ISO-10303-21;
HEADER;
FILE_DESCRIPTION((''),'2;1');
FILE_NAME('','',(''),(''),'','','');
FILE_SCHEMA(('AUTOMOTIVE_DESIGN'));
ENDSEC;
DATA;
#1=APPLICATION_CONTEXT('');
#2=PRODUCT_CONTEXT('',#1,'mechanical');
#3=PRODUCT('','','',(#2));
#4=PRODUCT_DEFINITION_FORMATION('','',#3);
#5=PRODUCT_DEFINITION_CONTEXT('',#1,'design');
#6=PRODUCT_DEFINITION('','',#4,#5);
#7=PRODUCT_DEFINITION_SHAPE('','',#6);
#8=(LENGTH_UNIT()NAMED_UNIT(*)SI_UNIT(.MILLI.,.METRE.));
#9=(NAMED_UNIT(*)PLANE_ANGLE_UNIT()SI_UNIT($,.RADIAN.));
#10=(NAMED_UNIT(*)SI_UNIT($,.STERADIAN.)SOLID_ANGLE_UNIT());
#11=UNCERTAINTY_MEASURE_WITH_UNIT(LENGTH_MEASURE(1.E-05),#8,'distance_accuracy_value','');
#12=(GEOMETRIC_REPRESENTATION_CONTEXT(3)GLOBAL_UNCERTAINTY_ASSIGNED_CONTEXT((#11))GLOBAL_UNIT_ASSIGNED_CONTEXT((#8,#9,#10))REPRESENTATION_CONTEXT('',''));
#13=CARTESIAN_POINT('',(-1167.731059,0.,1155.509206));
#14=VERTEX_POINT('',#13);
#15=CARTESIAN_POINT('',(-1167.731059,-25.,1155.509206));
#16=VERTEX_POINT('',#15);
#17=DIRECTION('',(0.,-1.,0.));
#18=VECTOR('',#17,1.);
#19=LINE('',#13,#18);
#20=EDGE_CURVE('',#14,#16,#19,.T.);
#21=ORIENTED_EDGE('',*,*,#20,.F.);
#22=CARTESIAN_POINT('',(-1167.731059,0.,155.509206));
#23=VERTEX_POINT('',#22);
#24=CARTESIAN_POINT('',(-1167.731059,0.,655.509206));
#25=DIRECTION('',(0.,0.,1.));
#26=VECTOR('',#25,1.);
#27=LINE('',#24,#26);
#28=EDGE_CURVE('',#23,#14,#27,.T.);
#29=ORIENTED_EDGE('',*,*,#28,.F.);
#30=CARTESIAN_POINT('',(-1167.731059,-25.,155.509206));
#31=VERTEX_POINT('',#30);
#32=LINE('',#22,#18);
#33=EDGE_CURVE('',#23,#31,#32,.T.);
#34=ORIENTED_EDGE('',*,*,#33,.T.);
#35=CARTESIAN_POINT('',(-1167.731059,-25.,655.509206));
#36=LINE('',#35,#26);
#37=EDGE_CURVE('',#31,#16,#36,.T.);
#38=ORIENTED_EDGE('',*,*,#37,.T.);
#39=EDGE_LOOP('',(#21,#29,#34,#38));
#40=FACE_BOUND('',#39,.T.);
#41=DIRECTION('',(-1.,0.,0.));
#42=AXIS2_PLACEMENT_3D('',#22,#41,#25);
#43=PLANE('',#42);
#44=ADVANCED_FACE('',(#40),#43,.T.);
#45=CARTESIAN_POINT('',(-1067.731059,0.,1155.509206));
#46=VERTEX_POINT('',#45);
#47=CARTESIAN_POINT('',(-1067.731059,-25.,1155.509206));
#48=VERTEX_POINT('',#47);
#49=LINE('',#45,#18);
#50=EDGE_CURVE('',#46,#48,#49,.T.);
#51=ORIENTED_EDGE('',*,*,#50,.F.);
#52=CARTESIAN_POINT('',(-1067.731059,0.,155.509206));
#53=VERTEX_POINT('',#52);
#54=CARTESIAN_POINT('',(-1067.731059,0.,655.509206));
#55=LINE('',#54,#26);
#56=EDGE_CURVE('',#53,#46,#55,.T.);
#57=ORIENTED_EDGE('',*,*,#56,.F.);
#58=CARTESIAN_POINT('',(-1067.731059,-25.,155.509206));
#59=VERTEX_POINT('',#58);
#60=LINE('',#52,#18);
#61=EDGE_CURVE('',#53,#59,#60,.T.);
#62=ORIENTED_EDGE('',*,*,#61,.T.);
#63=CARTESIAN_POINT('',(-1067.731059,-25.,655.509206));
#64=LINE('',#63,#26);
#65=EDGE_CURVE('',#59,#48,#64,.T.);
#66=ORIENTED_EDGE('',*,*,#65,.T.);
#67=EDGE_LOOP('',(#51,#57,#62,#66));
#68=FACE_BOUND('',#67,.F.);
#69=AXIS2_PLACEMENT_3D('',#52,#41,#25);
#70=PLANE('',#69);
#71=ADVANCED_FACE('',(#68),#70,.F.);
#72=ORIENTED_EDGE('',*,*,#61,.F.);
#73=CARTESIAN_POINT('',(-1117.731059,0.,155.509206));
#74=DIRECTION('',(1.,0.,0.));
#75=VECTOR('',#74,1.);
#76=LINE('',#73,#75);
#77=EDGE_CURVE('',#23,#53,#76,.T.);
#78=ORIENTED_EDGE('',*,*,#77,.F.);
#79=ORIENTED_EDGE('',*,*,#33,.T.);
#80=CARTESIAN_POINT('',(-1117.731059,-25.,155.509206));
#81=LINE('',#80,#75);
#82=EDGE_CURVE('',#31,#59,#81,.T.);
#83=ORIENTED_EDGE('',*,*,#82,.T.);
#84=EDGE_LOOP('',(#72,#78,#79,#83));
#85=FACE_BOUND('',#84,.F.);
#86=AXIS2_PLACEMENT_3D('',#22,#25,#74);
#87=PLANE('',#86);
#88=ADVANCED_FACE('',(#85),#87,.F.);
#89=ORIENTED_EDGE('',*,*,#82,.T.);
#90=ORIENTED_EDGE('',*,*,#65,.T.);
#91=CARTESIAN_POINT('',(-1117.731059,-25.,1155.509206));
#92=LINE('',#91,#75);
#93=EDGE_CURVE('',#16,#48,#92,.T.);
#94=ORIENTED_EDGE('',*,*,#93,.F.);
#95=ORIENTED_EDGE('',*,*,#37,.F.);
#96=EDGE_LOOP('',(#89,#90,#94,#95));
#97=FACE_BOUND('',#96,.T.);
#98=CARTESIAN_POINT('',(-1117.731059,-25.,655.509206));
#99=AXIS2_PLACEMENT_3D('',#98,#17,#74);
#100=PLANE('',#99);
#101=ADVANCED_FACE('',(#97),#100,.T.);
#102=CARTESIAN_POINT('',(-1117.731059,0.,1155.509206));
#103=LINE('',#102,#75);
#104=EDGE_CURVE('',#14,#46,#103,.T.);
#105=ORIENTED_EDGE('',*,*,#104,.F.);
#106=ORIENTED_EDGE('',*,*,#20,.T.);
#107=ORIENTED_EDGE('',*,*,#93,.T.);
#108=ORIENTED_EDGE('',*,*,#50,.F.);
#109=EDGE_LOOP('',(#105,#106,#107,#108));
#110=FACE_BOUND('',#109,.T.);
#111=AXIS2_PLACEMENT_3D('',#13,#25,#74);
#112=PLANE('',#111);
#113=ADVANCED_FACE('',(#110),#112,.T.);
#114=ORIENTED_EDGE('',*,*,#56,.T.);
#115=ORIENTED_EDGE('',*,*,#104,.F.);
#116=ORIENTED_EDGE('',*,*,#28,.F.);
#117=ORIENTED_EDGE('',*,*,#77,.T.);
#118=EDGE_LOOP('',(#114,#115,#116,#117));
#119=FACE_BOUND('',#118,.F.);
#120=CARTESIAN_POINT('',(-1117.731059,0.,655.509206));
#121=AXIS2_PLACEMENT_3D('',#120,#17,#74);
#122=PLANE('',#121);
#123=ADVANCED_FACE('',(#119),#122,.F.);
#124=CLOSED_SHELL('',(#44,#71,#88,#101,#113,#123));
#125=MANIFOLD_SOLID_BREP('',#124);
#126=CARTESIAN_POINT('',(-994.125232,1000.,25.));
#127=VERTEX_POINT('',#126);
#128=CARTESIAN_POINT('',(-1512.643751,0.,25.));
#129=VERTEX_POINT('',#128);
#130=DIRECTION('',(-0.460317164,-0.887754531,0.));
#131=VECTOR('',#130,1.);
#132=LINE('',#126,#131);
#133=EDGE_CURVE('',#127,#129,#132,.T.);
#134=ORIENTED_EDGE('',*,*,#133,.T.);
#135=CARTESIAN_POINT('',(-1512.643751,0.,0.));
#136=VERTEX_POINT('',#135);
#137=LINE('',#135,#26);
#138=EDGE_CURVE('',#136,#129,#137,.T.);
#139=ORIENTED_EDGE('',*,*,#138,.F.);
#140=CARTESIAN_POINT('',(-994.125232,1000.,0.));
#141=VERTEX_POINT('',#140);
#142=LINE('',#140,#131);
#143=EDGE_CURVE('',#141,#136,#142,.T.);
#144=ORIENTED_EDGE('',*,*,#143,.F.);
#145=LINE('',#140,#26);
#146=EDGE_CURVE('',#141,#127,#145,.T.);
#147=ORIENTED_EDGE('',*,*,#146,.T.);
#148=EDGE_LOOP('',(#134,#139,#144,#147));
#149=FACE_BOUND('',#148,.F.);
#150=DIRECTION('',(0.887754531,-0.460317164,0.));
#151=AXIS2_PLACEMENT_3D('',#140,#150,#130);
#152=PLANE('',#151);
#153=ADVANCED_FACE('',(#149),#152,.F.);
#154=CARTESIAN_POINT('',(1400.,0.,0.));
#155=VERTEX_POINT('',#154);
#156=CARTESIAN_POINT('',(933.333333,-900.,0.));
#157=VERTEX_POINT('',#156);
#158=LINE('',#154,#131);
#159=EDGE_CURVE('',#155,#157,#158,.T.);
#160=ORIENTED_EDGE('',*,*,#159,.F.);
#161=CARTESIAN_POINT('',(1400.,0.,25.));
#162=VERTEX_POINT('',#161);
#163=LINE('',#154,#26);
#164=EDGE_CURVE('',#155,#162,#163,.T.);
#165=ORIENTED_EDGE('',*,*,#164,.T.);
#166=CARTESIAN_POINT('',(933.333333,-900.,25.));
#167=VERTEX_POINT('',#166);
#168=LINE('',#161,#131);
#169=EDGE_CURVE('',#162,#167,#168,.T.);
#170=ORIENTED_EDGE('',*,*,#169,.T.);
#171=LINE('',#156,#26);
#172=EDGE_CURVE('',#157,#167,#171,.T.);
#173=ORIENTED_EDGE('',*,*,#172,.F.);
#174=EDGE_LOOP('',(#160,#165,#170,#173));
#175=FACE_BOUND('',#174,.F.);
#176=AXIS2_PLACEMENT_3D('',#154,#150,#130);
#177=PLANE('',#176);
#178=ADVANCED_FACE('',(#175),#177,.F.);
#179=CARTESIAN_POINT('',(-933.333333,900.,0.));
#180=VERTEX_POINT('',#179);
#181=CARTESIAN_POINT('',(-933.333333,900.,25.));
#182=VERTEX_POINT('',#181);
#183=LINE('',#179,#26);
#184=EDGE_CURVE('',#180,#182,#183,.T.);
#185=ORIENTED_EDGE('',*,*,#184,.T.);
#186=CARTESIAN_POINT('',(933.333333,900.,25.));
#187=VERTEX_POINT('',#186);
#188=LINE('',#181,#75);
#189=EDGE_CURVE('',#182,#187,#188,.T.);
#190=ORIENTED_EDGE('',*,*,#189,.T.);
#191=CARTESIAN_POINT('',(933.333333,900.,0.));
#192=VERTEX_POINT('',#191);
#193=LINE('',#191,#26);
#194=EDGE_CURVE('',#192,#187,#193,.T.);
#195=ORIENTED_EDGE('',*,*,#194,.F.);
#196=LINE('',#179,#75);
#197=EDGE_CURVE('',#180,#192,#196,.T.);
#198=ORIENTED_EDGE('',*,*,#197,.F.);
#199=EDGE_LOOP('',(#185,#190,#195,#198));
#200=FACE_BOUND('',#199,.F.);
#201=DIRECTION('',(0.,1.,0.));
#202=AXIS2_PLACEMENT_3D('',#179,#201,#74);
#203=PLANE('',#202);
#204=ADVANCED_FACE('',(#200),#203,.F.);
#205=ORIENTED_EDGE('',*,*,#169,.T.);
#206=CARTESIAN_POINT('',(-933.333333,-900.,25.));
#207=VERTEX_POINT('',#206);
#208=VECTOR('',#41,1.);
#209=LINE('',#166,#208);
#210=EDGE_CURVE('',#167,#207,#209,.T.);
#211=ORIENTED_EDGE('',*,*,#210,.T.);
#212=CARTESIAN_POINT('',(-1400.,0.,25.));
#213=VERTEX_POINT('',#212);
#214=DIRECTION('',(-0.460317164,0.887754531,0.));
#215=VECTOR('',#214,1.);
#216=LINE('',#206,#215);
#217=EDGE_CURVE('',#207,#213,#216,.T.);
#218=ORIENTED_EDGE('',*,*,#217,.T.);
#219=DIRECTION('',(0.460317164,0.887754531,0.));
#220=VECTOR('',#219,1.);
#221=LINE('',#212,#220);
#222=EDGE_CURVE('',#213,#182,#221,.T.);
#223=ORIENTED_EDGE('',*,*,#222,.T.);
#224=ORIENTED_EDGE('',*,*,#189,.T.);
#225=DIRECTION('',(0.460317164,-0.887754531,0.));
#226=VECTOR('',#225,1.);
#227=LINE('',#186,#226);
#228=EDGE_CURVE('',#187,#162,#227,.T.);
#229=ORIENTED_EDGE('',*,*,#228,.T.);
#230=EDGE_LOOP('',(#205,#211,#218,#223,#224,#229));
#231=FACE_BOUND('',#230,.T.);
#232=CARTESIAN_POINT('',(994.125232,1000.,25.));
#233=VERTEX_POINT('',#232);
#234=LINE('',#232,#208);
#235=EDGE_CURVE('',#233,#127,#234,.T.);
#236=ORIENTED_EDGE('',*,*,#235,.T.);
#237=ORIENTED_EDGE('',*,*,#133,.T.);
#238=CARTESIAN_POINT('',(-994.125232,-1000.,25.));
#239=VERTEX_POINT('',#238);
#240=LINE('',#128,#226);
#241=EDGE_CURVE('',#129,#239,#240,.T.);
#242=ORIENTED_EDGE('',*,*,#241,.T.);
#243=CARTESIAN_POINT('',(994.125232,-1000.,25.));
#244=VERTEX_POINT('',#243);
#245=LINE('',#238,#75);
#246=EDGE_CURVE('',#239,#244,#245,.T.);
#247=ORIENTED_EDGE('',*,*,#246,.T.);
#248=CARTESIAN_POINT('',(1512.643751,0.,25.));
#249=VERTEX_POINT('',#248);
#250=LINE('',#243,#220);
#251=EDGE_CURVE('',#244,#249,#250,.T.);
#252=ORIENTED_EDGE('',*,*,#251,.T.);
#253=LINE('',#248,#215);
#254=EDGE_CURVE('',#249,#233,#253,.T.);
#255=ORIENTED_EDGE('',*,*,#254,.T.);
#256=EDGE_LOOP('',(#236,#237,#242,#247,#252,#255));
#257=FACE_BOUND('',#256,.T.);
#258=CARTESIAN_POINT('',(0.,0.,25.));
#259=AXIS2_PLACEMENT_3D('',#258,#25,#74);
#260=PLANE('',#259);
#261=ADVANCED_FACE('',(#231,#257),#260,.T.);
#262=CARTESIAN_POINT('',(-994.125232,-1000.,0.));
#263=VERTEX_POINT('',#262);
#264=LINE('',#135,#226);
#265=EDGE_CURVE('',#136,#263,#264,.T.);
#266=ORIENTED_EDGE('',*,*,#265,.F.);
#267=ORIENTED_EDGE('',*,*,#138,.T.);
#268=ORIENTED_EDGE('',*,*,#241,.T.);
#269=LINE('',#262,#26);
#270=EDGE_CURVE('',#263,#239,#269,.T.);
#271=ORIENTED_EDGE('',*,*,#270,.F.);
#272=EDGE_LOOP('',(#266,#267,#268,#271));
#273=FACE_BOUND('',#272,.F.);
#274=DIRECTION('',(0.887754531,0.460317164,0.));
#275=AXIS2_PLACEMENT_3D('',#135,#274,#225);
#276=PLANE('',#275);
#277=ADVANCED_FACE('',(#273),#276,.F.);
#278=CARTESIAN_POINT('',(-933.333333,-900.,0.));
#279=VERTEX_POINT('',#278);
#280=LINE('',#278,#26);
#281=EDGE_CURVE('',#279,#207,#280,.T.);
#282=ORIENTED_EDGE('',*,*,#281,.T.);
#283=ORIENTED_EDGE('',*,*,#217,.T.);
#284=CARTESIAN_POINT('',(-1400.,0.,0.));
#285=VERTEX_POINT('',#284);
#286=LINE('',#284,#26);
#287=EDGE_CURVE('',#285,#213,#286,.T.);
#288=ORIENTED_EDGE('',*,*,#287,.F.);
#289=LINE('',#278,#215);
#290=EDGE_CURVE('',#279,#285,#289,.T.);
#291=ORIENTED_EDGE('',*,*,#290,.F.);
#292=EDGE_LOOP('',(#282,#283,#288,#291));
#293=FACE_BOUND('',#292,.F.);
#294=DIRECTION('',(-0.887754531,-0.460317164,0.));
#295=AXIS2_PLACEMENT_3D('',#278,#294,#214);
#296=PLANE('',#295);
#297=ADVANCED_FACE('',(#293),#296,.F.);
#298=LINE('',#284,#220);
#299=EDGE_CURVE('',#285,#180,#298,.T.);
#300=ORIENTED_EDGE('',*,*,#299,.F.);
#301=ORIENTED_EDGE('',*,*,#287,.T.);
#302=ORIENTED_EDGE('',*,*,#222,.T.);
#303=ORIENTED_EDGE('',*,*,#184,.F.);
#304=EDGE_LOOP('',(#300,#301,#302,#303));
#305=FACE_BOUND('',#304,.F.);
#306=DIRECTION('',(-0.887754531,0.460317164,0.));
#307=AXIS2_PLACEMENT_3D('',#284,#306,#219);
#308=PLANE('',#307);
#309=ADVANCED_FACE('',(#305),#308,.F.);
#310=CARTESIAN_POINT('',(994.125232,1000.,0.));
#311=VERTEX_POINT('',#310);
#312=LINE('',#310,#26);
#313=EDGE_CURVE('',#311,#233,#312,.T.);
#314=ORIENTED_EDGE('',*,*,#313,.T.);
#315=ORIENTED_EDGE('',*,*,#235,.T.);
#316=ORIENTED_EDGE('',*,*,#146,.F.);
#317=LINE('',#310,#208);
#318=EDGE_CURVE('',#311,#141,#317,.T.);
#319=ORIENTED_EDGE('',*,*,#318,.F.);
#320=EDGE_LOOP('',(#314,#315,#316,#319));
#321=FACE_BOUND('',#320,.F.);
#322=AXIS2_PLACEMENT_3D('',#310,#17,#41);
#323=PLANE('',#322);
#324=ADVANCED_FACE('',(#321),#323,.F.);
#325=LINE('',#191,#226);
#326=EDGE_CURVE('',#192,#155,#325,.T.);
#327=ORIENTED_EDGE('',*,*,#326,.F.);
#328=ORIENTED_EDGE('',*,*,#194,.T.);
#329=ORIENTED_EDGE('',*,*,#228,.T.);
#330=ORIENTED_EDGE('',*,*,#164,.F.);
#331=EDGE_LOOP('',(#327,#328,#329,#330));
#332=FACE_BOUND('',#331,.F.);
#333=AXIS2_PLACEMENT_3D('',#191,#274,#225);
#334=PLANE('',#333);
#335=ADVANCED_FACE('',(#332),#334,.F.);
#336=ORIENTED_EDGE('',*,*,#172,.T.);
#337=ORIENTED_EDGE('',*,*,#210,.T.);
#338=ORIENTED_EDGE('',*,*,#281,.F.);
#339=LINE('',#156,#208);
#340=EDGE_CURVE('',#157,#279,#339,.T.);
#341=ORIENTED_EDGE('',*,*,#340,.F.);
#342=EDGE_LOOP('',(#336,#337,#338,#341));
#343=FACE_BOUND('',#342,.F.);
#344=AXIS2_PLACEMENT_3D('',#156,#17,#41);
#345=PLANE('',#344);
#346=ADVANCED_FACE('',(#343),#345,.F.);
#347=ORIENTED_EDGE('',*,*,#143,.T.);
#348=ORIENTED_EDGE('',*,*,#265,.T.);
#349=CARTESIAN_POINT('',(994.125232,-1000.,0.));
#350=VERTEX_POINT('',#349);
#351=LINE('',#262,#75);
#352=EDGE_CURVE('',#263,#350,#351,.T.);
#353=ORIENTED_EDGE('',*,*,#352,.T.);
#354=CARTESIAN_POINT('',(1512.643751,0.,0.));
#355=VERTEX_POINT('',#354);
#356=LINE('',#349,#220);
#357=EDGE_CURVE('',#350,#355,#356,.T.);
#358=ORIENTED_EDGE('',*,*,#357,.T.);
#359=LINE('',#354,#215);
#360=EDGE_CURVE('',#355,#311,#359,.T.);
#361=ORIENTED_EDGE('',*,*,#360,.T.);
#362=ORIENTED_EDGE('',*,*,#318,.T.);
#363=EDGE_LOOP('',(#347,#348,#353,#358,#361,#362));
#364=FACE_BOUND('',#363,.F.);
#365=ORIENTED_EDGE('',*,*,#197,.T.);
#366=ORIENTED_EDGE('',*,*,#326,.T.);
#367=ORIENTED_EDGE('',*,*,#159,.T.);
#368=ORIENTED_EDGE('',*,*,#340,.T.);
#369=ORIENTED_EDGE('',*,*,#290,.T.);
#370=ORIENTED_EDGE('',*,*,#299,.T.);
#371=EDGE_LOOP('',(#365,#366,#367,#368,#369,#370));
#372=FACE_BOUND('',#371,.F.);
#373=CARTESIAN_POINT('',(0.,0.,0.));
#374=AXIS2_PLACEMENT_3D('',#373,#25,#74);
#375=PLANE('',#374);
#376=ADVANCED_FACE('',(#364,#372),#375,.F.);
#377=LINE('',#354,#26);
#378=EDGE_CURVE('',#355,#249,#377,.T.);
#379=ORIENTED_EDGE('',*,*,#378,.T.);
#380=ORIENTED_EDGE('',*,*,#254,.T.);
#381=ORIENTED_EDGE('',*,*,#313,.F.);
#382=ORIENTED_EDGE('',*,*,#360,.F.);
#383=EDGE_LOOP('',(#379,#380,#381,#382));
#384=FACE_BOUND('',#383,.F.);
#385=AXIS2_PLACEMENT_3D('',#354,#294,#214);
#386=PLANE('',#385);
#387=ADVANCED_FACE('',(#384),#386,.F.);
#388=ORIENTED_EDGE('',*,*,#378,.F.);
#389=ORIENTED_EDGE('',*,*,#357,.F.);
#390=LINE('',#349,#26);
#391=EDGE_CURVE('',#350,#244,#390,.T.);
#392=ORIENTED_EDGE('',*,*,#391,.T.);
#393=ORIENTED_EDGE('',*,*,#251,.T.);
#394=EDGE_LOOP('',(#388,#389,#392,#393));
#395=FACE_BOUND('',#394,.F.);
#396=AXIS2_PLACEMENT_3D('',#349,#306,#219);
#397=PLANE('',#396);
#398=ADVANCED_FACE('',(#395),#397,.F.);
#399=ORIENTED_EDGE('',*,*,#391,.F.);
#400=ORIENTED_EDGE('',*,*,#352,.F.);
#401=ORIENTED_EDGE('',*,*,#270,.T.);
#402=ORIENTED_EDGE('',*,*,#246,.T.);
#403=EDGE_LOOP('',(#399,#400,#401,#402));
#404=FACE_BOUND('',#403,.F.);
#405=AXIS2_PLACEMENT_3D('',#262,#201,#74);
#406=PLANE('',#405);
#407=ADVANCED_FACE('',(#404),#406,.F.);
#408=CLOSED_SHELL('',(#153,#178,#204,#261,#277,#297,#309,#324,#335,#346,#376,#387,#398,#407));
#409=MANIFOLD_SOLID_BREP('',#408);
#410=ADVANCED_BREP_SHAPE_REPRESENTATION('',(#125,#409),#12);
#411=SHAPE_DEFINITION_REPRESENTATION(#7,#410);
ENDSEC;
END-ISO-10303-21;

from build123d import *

# Parameters (mm, degrees)
F1_DEPTH = 25
F2_W     = 100
F2_H     = 1000
F3_DEPTH = 25


with BuildPart() as f1:
    # F0 (on Top) → F1 (new body)
    with BuildSketch(Plane.XY):
        Polygon((-994.1252320426, 1000), (-1512.6437505611, 0), (-994.1252320426, -1000), (994.1252320426, -1000), (1512.6437505611, 0), (994.1252320426, 1000), align=None)
        Polygon((-933.3333333333, -900), (-1400, 0), (-933.3333333333, 900), (0, 900), (933.3333333333, 900), (1400, 0), (933.3333333333, -900), (0, -900), align=None, mode=Mode.SUBTRACT)
    extrude(amount=F1_DEPTH)


with BuildPart() as f3:
    # F2 (on Front) → F3 (new body)
    with BuildSketch(Plane.XZ):
        with Locations((-1117.7310585976, 655.5092059186)):
            Rectangle(F2_W, F2_H)
    extrude(amount=F3_DEPTH)


solid = Compound([f1.part, f3.part])
